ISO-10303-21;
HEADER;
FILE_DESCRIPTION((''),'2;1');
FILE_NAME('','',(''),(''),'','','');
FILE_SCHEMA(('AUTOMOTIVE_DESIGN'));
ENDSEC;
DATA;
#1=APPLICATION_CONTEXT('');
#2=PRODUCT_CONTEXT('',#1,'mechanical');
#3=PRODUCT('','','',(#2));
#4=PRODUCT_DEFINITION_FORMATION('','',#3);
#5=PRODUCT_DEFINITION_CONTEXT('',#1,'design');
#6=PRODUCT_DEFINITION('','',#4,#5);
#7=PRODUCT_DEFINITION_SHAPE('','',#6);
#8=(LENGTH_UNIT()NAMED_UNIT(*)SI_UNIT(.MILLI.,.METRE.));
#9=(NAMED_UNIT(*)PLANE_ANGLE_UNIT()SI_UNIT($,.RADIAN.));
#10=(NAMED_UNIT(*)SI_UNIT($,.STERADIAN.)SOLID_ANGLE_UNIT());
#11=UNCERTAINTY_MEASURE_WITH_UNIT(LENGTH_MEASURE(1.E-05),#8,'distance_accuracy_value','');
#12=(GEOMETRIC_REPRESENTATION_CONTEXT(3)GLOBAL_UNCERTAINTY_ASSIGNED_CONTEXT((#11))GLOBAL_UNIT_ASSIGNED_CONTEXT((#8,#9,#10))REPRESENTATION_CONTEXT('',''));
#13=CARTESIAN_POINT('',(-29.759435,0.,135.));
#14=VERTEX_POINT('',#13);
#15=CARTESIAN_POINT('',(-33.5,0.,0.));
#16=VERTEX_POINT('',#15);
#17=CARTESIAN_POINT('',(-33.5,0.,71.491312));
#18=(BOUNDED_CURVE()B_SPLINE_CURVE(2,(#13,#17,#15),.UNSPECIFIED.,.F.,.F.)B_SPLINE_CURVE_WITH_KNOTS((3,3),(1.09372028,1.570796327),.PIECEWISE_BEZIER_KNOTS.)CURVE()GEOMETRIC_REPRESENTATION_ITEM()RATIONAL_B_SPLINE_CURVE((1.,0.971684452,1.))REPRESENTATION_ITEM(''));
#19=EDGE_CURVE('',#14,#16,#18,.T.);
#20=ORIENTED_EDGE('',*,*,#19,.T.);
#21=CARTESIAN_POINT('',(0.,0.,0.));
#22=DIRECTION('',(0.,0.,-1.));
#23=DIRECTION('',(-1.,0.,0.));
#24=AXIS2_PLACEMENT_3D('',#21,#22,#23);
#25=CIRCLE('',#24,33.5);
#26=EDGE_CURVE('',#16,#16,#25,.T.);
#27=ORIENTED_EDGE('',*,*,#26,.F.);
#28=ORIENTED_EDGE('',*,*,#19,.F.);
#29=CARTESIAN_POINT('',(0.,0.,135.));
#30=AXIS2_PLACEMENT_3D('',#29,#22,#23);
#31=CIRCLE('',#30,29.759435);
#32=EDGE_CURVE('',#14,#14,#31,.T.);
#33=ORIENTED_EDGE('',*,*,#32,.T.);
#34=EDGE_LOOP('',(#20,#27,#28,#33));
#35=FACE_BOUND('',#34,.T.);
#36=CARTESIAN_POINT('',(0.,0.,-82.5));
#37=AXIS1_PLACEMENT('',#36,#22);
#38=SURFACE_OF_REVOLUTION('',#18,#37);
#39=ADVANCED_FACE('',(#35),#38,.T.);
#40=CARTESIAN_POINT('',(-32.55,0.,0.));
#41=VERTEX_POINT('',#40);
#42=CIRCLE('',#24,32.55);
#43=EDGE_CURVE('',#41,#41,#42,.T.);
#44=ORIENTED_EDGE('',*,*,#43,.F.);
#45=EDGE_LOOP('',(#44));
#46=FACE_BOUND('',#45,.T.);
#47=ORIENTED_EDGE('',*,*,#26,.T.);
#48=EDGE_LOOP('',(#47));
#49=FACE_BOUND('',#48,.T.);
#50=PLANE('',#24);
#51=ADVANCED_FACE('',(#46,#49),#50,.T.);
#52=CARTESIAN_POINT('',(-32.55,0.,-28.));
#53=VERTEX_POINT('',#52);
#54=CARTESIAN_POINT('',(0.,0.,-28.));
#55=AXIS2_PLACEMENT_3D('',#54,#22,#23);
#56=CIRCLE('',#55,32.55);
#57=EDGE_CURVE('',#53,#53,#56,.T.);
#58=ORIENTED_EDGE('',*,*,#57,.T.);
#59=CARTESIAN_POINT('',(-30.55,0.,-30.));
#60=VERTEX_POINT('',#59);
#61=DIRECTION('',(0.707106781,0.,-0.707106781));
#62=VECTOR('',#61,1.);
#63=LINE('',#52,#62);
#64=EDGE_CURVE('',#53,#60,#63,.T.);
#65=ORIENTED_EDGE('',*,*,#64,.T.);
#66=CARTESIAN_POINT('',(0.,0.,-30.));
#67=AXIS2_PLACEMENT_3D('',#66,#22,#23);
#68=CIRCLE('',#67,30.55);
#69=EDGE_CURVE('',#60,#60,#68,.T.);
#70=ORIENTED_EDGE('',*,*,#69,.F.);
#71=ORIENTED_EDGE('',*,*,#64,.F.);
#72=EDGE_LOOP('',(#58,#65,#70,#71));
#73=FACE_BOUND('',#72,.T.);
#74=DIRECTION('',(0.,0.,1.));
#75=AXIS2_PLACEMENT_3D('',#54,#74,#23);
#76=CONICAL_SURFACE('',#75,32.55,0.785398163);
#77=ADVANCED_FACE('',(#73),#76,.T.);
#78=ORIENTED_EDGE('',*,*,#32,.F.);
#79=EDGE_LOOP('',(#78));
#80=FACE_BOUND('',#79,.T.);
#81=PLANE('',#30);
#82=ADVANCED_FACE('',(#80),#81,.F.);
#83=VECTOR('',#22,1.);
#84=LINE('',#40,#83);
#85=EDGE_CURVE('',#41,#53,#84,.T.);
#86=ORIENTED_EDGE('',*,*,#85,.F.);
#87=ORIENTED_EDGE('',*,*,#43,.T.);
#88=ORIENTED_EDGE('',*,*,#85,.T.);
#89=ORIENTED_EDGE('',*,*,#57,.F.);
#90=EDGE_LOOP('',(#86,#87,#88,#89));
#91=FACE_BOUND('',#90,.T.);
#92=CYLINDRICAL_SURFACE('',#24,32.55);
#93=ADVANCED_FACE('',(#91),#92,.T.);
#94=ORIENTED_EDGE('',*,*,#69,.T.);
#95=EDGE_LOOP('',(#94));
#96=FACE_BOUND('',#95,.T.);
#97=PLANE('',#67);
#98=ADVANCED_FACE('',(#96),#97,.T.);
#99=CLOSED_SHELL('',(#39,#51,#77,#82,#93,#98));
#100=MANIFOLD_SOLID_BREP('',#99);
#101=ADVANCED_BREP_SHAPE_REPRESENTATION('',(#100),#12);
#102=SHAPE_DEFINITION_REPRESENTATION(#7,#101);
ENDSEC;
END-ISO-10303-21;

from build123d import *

# Parameters (mm, degrees)
F2_SIZE = 2


with BuildPart() as f1:
    # F0 (on Front) → F1 (revolve)
    with BuildSketch(Plane.XZ):
        with BuildLine():
            Line((-25.5991816521, 135), (-29.7594352231, 135))
            add(Edge.make_bspline(
                [(-29.7594352231, 135), (-33.5, 71.4913116763), (-33.5, 0)],
                knots=[1.0937202801, 1.0937202801, 1.0937202801, 1.5707963268, 1.5707963268, 1.5707963268], degree=2, weights=[1, 0.9716844524, 1]))
            Line((-33.5, 0), (-32.55, 0))
            Line((-32.55, 0), (-32.55, -30))
            Line((-32.55, -30), (0, -30))
            Line((0, -30), (0, 0))
            Line((0, 0), (0, 129))
            Line((0, 129), (0, 135))
            Line((0, 135), (-25.5991816521, 135))
        make_face()
    revolve(axis=Axis((0, 0, -82.5), (0, 0, -1)))

    # F2
    f2_edges = [f1.edges().sort_by_distance(p)[0] for p in [
        (32.55, 0, -30),
    ]]
    chamfer(f2_edges, length=F2_SIZE)


solid = f1.part
